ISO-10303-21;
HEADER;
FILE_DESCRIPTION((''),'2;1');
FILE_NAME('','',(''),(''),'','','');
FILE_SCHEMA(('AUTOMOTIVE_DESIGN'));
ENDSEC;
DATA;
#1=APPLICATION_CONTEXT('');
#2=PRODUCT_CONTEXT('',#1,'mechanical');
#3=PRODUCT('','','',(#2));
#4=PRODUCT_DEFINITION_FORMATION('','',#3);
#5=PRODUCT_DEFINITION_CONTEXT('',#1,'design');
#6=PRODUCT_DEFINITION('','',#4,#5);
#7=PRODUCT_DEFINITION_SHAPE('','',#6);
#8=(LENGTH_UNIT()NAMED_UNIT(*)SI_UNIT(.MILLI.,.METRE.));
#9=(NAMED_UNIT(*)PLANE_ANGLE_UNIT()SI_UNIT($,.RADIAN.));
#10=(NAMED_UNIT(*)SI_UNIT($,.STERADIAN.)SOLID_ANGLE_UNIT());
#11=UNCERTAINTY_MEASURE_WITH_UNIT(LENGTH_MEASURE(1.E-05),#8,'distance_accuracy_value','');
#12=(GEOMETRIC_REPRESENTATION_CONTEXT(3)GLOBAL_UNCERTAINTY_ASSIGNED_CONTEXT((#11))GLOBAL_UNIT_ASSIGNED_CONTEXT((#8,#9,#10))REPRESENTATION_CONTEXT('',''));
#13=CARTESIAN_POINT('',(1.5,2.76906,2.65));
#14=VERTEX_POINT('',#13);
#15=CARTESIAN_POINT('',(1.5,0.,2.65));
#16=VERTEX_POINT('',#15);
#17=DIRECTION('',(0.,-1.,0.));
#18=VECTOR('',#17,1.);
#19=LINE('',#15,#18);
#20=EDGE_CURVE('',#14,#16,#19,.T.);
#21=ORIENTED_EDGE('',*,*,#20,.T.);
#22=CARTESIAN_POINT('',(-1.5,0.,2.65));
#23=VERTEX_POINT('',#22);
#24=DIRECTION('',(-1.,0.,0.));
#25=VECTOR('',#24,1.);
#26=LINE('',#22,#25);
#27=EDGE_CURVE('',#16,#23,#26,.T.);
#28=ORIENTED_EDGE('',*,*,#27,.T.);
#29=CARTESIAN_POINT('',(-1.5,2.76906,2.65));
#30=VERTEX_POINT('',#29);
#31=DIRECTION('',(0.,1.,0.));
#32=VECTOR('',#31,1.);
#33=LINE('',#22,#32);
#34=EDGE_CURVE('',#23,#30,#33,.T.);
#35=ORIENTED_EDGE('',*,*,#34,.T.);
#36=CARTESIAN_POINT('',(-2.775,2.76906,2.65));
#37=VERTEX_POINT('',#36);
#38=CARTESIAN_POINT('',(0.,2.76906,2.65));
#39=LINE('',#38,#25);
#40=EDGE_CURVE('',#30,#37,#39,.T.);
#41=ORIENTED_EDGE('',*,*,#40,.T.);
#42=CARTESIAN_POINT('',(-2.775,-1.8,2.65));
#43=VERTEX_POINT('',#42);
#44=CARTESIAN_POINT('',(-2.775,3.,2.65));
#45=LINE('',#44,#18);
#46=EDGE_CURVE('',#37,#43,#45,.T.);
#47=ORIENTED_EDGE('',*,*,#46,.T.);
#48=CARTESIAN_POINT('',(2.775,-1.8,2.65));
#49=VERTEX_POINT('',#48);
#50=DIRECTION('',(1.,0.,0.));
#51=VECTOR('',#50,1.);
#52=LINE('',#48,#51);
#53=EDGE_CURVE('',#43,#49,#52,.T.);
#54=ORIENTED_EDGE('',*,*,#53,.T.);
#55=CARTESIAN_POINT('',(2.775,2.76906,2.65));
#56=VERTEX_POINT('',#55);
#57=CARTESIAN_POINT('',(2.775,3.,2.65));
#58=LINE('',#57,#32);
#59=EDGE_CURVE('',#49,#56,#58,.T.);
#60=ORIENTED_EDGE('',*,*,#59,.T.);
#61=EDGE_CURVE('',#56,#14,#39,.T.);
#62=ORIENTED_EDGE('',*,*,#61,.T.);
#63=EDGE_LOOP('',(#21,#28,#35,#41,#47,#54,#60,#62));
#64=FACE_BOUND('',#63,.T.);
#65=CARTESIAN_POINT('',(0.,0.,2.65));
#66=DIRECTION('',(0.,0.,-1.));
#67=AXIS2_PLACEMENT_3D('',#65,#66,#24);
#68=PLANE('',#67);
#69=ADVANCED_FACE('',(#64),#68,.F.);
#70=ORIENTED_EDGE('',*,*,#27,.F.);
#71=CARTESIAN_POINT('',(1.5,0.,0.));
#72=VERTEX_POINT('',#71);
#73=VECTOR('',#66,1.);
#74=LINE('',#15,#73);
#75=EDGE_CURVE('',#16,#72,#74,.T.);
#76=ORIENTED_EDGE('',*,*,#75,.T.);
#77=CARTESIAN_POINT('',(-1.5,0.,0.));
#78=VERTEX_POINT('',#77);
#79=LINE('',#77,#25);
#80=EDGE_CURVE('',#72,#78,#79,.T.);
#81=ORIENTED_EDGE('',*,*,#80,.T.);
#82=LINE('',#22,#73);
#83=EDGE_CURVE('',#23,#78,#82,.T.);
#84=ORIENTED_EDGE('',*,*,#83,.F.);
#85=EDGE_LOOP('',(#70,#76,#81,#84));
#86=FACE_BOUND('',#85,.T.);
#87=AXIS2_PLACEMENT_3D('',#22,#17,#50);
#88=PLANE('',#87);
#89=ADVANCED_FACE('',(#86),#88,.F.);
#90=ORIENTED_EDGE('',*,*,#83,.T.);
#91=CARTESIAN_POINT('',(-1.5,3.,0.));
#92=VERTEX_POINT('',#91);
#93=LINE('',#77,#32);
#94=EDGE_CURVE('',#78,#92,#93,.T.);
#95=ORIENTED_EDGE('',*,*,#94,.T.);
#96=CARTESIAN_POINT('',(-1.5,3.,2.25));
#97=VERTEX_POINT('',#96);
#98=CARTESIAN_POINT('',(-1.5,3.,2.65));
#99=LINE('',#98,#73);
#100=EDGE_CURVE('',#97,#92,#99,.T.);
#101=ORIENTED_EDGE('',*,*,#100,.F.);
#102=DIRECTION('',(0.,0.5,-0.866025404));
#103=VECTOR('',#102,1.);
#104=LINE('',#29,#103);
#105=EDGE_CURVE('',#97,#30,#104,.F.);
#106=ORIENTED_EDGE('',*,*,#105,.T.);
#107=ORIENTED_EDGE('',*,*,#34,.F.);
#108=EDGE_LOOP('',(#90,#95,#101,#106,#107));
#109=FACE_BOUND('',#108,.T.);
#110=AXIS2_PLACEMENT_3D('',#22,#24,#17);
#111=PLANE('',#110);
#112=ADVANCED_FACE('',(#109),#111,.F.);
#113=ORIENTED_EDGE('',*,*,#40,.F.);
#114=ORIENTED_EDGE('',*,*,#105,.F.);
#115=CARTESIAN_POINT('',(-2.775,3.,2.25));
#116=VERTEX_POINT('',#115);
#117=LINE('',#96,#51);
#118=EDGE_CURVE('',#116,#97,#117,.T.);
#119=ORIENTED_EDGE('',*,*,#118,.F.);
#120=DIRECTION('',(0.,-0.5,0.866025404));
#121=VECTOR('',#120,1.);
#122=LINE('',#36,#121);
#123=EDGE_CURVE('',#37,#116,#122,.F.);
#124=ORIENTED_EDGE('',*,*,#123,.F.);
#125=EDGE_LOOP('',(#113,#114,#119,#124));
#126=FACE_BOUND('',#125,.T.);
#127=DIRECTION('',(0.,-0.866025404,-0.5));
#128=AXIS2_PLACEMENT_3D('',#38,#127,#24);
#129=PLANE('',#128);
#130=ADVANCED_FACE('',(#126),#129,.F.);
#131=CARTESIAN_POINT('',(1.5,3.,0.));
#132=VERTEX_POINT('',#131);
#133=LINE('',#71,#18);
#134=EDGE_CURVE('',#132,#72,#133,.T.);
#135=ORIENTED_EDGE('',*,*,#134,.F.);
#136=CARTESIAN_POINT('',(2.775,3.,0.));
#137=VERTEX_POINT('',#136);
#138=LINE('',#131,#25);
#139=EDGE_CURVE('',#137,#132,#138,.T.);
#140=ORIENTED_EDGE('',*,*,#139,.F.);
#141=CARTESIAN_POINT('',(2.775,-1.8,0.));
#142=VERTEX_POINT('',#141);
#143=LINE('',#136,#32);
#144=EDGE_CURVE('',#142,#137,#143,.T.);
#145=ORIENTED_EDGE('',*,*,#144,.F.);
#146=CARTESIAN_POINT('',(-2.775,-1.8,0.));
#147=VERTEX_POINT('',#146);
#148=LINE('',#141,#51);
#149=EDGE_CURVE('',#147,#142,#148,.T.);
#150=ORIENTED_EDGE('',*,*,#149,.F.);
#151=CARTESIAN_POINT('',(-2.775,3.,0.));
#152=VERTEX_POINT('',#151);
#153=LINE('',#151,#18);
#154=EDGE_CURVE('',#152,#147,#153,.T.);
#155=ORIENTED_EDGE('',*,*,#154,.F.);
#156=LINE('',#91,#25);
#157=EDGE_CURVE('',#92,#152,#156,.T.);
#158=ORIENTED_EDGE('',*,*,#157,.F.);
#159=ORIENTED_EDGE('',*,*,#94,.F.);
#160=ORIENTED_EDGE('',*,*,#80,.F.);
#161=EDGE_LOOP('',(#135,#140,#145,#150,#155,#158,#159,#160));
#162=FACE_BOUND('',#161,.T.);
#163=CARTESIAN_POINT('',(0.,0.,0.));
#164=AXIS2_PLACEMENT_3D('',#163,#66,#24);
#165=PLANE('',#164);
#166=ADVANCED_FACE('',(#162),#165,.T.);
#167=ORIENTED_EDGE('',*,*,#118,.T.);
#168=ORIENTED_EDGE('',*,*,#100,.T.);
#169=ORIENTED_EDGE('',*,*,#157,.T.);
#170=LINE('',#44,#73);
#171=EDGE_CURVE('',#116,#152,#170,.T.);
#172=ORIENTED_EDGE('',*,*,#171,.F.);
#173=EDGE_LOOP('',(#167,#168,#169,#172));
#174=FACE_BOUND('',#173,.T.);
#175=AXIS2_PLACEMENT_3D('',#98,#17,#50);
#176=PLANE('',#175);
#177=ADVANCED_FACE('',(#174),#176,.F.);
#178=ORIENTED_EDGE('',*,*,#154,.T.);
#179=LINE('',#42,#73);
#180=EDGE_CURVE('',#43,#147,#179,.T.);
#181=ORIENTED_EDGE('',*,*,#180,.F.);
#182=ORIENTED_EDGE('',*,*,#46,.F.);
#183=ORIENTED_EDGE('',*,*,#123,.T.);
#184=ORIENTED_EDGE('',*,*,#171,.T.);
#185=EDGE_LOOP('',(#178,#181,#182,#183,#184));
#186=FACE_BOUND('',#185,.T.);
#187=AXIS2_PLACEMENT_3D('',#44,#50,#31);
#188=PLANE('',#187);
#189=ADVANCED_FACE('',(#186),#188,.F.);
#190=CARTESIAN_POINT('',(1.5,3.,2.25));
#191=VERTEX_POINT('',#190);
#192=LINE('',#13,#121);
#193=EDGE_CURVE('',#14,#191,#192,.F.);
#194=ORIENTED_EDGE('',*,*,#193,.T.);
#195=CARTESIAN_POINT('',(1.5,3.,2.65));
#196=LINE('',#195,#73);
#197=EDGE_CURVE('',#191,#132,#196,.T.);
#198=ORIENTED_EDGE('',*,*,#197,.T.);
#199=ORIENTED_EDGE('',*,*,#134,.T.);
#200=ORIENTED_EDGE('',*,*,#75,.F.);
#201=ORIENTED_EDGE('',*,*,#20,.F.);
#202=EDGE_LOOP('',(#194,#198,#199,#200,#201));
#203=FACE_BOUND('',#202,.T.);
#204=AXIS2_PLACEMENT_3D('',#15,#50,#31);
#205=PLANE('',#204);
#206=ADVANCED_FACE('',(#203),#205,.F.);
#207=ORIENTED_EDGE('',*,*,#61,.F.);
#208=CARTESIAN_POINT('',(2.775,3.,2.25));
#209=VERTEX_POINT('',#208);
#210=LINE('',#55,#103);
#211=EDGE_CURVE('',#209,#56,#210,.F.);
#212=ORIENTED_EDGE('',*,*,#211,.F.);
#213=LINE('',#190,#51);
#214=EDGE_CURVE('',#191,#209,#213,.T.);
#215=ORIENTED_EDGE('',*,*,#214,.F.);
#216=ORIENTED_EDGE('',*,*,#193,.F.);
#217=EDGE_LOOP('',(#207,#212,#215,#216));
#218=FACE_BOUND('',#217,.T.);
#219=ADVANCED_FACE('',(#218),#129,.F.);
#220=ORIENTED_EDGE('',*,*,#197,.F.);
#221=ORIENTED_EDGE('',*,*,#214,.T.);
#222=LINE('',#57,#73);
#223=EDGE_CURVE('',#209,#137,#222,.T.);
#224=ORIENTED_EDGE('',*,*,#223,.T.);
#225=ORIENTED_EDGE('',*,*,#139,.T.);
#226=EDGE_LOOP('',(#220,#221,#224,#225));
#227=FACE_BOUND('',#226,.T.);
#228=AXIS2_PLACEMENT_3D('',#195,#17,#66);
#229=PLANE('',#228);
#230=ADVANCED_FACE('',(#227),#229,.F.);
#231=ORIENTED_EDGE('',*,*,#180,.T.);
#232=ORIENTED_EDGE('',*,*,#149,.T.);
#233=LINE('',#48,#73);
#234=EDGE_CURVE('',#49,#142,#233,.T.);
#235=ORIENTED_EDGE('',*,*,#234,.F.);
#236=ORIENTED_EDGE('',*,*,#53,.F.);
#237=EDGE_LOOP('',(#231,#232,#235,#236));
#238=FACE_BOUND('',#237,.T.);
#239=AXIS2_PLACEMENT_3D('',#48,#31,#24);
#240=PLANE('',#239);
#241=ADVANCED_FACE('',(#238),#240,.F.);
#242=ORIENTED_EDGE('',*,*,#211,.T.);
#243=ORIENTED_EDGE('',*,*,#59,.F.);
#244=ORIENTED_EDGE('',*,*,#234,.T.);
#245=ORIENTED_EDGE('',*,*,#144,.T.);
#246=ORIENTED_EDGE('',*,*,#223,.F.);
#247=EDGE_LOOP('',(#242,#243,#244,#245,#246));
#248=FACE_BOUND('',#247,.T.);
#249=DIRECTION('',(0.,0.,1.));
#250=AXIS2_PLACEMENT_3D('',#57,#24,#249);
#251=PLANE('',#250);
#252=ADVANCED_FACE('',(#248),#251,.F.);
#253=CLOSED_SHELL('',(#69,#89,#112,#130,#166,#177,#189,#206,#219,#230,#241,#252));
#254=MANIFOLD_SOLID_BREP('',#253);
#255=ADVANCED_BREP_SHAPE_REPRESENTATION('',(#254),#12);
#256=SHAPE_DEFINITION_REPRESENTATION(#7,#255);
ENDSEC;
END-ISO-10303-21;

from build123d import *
from OCP.BRepFilletAPI import BRepFilletAPI_MakeChamfer

# Parameters (mm, degrees)
BOSS_EXTRUDE1_DEPTH = 2.65
CHAMFER1_SIZE       = 0.4
CHAMFER1_SIZE2      = 0.230940108


with BuildPart() as part:
    # Sketch1 → Boss-Extrude1 (new body)
    with BuildSketch(Plane.XY):
        Polygon((-1.5, 0), (1.5, 0), (1.5, 3), (2.775, 3), (2.775, -1.8), (-2.775, -1.8), (-2.775, 3), (-1.5, 3), align=None)
    extrude(amount=BOSS_EXTRUDE1_DEPTH)

    # Chamfer1: one chamfer whose edges measure the first distance from different faces: ONE call of the kernel's chamfer builder (chamfer() names one face for all edges)
    chamfer1_edges_1 = [part.edges().sort_by_distance(p)[0] for p in [
        (-2.1375, 3, 2.65),
    ]]
    chamfer1_side_1 = [part.faces().sort_by_distance(p)[0] for p in [
        (-2.1375, 3, 1.325),
    ]]
    chamfer1_edges_2 = [part.edges().sort_by_distance(p)[0] for p in [
        (2.1375, 3, 2.65),
    ]]
    chamfer1_side_2 = [part.faces().sort_by_distance(p)[0] for p in [
        (2.1375, 3, 1.325),
    ]]
    chamfer1 = BRepFilletAPI_MakeChamfer(part.part.solid().wrapped)
    for e in chamfer1_edges_1:
        chamfer1.Add(CHAMFER1_SIZE, CHAMFER1_SIZE2, e.wrapped, chamfer1_side_1[0].wrapped)  # the first distance lies on this face
    for e in chamfer1_edges_2:
        chamfer1.Add(CHAMFER1_SIZE, CHAMFER1_SIZE2, e.wrapped, chamfer1_side_2[0].wrapped)  # the first distance lies on this face
    add(Compound.cast(chamfer1.Shape()), mode=Mode.REPLACE)


solid = part.part
